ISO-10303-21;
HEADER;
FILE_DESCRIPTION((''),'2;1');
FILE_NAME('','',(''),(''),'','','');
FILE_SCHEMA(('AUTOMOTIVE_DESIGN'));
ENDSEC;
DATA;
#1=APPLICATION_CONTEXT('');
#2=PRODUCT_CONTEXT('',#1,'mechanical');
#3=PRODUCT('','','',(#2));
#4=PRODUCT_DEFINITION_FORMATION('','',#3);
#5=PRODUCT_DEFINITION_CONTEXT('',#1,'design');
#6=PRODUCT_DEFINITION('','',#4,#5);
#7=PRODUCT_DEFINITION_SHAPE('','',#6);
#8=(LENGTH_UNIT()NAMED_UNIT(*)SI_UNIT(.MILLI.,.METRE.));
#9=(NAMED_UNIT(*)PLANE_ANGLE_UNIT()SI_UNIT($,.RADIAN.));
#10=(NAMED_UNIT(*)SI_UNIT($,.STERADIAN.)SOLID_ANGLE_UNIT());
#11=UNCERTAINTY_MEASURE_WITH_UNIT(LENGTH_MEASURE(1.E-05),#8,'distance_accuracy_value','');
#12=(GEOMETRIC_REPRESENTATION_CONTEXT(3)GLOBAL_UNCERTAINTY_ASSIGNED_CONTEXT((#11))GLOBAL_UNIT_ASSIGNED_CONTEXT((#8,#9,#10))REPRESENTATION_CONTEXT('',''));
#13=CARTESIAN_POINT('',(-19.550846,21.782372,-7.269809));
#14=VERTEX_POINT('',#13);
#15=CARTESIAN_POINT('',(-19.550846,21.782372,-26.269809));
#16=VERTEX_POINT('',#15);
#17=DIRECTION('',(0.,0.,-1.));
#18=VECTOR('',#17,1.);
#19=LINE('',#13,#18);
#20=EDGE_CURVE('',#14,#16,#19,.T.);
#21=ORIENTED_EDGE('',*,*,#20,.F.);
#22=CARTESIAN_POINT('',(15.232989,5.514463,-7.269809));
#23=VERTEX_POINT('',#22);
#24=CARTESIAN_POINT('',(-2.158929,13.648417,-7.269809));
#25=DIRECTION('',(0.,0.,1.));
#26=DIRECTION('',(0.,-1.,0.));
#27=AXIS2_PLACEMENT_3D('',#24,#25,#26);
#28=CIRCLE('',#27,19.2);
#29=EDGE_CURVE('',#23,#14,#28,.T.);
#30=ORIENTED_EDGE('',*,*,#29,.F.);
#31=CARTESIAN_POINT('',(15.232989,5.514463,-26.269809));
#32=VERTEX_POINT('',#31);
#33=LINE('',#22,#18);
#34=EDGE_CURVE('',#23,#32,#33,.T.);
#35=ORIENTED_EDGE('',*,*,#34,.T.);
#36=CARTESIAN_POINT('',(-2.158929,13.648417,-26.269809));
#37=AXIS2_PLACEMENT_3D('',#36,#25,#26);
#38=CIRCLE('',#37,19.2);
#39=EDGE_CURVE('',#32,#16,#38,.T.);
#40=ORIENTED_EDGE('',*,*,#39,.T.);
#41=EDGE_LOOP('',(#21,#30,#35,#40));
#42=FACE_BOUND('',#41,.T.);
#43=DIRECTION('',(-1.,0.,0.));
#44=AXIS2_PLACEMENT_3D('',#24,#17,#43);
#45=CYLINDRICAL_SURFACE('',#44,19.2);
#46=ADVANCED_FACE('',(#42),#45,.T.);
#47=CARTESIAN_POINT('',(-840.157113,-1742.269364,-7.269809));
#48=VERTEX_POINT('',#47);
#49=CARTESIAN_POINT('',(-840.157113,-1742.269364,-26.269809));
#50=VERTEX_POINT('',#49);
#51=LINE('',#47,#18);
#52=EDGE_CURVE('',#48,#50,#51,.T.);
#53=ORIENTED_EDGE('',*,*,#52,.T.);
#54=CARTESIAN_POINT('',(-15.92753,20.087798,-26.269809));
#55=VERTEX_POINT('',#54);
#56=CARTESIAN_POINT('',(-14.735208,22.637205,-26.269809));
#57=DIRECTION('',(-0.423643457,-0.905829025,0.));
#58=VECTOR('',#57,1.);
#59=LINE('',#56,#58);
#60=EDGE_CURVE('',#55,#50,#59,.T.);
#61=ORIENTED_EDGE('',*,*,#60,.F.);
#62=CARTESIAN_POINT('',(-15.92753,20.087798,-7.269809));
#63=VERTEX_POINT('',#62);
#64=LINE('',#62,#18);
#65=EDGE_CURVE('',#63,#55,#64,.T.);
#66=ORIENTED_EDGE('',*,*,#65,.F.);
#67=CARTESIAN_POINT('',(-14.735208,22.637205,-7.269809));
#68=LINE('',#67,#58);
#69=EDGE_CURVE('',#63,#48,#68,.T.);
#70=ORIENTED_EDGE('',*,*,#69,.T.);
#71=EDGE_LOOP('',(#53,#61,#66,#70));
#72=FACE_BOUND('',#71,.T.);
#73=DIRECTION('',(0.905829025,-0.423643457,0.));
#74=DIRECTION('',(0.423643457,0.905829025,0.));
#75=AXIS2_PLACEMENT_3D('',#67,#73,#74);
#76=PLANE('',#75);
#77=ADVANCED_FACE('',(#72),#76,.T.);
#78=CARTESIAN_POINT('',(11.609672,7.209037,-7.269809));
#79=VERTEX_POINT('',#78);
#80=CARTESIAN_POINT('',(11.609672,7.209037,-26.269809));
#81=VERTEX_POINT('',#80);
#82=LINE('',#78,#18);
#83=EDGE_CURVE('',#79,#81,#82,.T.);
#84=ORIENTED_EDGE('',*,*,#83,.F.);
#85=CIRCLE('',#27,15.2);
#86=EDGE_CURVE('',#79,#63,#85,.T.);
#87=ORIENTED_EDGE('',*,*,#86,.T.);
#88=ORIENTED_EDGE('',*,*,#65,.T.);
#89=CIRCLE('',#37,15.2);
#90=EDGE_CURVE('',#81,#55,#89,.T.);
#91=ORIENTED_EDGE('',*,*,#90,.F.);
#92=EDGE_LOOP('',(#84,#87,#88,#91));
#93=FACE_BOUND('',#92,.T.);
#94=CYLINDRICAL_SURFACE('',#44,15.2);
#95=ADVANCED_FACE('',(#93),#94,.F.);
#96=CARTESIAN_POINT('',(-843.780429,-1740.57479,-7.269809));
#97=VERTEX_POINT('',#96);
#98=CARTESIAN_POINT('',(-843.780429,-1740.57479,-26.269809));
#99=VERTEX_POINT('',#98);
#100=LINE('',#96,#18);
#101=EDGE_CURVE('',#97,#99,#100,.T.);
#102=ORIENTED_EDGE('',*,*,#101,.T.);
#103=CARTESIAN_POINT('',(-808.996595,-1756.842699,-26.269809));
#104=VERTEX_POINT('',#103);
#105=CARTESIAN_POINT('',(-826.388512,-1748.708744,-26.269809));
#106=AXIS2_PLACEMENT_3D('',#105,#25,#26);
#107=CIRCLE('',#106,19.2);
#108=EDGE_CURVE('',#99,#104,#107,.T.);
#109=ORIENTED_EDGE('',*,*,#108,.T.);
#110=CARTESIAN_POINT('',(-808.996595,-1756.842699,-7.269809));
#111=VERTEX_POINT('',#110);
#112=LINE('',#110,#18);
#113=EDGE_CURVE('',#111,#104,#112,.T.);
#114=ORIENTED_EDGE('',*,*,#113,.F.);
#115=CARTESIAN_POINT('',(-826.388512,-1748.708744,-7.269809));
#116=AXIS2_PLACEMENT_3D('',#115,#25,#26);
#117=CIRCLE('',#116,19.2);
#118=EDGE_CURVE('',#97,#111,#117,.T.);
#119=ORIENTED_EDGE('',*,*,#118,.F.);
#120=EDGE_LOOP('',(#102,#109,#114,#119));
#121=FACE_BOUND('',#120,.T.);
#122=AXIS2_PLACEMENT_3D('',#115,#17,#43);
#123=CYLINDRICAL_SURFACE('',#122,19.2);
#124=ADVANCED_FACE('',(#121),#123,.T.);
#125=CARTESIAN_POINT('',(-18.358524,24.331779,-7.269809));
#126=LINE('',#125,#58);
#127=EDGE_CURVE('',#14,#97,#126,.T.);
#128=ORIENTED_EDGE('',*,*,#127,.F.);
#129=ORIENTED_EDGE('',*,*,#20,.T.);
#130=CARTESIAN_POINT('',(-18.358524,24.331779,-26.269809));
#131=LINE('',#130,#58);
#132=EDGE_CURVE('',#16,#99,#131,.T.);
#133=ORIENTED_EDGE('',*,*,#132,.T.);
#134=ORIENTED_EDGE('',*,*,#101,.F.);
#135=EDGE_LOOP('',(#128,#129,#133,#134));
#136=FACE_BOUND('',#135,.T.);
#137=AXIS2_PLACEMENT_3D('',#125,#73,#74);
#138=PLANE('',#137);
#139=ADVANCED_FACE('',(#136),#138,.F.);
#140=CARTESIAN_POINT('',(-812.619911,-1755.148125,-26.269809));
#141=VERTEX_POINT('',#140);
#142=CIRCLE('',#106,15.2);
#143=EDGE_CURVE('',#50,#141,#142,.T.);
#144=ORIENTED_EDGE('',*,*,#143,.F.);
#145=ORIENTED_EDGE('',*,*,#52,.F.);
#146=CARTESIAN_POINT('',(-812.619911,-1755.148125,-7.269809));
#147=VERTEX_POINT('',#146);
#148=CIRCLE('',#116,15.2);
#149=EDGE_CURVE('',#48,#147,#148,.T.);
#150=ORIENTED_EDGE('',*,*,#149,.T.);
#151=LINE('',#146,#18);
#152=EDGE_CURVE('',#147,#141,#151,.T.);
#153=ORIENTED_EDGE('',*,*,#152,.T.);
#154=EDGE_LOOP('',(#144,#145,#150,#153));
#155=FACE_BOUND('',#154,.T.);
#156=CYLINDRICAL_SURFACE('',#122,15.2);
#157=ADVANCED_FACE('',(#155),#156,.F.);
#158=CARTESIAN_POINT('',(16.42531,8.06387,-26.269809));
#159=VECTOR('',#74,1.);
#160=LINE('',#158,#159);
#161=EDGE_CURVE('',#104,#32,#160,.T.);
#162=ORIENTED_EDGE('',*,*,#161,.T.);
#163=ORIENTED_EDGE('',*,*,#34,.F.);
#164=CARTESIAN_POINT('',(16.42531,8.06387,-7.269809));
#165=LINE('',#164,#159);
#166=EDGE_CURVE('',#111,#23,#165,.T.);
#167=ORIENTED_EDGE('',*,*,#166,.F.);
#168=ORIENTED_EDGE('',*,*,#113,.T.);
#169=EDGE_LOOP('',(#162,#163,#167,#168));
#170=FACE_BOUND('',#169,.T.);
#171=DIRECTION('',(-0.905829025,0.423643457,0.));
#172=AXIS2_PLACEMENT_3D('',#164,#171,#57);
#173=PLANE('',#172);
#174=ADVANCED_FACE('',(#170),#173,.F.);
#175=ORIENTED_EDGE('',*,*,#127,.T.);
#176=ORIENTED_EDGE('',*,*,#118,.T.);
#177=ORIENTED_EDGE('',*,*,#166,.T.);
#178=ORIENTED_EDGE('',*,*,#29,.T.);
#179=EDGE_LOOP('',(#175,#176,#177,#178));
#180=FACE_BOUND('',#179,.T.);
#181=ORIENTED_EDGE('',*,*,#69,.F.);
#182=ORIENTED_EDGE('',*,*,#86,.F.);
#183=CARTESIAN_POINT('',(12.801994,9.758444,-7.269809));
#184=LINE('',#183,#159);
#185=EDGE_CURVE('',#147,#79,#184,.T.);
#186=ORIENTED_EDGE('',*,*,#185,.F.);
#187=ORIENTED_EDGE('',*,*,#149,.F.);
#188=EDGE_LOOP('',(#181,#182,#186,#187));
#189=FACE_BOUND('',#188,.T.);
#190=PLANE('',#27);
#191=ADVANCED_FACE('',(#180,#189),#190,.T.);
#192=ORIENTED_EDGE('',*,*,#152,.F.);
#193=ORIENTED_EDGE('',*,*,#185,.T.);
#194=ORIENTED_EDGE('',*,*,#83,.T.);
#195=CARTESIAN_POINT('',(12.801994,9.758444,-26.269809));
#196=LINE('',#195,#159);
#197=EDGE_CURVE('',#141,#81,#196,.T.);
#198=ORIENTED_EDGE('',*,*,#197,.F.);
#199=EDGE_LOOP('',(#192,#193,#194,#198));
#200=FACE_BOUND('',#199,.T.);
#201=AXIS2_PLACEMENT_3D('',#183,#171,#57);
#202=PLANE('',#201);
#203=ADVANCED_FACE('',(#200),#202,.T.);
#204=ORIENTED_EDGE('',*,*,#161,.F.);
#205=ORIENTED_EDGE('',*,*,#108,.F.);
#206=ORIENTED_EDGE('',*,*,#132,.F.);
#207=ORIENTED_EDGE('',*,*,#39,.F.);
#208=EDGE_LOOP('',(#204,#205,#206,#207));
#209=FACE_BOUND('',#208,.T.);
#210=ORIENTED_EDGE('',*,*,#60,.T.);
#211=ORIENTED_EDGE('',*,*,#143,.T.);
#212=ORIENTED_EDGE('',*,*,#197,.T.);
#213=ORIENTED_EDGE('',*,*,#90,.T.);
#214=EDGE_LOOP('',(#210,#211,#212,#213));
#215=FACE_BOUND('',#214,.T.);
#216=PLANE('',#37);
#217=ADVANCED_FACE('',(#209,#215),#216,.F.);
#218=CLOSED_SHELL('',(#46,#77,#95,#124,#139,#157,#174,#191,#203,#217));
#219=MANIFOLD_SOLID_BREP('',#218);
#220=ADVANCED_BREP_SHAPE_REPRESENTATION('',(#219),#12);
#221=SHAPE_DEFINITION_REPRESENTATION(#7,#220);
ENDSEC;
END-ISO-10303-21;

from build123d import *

# Parameters (mm, degrees)
EXTRUDE_THIN1_START = -26.269809
EXTRUDE_THIN1_DEPTH = 19


with BuildPart() as part:
    # Sketch2 → Extrude-Thin1 (new body)
    with BuildSketch(Plane(origin=(-2.158928767, 13.648417367, 0), x_dir=(1, 0, 0), z_dir=(0, 0, 1)).offset(EXTRUDE_THIN1_START)):
        with BuildLine():
            Line((-841.621500671, -1754.223207182), (-17.391917272, 8.133954365))
            ThreePointArc((-17.391917272, 8.133954365), (8.133954365, 17.391917272), (17.391917272, -8.133954365))
            Line((17.391917272, -8.133954365), (-806.837666127, -1770.491115912))
            ThreePointArc((-806.837666127, -1770.491115912), (-832.363537764, -1779.749078819), (-841.621500671, -1754.223207182))
        make_face()
        with BuildLine():
            Line((-837.998184572, -1755.917781008), (-13.768601173, 6.439380539))
            ThreePointArc((-13.768601173, 6.439380539), (6.439380539, 13.768601173), (13.768601173, -6.439380539))
            Line((13.768601173, -6.439380539), (-810.460982226, -1768.796542086))
            ThreePointArc((-810.460982226, -1768.796542086), (-830.668963938, -1776.12576272), (-837.998184572, -1755.917781008))
        make_face(mode=Mode.SUBTRACT)
    extrude(amount=EXTRUDE_THIN1_DEPTH)


solid = part.part
